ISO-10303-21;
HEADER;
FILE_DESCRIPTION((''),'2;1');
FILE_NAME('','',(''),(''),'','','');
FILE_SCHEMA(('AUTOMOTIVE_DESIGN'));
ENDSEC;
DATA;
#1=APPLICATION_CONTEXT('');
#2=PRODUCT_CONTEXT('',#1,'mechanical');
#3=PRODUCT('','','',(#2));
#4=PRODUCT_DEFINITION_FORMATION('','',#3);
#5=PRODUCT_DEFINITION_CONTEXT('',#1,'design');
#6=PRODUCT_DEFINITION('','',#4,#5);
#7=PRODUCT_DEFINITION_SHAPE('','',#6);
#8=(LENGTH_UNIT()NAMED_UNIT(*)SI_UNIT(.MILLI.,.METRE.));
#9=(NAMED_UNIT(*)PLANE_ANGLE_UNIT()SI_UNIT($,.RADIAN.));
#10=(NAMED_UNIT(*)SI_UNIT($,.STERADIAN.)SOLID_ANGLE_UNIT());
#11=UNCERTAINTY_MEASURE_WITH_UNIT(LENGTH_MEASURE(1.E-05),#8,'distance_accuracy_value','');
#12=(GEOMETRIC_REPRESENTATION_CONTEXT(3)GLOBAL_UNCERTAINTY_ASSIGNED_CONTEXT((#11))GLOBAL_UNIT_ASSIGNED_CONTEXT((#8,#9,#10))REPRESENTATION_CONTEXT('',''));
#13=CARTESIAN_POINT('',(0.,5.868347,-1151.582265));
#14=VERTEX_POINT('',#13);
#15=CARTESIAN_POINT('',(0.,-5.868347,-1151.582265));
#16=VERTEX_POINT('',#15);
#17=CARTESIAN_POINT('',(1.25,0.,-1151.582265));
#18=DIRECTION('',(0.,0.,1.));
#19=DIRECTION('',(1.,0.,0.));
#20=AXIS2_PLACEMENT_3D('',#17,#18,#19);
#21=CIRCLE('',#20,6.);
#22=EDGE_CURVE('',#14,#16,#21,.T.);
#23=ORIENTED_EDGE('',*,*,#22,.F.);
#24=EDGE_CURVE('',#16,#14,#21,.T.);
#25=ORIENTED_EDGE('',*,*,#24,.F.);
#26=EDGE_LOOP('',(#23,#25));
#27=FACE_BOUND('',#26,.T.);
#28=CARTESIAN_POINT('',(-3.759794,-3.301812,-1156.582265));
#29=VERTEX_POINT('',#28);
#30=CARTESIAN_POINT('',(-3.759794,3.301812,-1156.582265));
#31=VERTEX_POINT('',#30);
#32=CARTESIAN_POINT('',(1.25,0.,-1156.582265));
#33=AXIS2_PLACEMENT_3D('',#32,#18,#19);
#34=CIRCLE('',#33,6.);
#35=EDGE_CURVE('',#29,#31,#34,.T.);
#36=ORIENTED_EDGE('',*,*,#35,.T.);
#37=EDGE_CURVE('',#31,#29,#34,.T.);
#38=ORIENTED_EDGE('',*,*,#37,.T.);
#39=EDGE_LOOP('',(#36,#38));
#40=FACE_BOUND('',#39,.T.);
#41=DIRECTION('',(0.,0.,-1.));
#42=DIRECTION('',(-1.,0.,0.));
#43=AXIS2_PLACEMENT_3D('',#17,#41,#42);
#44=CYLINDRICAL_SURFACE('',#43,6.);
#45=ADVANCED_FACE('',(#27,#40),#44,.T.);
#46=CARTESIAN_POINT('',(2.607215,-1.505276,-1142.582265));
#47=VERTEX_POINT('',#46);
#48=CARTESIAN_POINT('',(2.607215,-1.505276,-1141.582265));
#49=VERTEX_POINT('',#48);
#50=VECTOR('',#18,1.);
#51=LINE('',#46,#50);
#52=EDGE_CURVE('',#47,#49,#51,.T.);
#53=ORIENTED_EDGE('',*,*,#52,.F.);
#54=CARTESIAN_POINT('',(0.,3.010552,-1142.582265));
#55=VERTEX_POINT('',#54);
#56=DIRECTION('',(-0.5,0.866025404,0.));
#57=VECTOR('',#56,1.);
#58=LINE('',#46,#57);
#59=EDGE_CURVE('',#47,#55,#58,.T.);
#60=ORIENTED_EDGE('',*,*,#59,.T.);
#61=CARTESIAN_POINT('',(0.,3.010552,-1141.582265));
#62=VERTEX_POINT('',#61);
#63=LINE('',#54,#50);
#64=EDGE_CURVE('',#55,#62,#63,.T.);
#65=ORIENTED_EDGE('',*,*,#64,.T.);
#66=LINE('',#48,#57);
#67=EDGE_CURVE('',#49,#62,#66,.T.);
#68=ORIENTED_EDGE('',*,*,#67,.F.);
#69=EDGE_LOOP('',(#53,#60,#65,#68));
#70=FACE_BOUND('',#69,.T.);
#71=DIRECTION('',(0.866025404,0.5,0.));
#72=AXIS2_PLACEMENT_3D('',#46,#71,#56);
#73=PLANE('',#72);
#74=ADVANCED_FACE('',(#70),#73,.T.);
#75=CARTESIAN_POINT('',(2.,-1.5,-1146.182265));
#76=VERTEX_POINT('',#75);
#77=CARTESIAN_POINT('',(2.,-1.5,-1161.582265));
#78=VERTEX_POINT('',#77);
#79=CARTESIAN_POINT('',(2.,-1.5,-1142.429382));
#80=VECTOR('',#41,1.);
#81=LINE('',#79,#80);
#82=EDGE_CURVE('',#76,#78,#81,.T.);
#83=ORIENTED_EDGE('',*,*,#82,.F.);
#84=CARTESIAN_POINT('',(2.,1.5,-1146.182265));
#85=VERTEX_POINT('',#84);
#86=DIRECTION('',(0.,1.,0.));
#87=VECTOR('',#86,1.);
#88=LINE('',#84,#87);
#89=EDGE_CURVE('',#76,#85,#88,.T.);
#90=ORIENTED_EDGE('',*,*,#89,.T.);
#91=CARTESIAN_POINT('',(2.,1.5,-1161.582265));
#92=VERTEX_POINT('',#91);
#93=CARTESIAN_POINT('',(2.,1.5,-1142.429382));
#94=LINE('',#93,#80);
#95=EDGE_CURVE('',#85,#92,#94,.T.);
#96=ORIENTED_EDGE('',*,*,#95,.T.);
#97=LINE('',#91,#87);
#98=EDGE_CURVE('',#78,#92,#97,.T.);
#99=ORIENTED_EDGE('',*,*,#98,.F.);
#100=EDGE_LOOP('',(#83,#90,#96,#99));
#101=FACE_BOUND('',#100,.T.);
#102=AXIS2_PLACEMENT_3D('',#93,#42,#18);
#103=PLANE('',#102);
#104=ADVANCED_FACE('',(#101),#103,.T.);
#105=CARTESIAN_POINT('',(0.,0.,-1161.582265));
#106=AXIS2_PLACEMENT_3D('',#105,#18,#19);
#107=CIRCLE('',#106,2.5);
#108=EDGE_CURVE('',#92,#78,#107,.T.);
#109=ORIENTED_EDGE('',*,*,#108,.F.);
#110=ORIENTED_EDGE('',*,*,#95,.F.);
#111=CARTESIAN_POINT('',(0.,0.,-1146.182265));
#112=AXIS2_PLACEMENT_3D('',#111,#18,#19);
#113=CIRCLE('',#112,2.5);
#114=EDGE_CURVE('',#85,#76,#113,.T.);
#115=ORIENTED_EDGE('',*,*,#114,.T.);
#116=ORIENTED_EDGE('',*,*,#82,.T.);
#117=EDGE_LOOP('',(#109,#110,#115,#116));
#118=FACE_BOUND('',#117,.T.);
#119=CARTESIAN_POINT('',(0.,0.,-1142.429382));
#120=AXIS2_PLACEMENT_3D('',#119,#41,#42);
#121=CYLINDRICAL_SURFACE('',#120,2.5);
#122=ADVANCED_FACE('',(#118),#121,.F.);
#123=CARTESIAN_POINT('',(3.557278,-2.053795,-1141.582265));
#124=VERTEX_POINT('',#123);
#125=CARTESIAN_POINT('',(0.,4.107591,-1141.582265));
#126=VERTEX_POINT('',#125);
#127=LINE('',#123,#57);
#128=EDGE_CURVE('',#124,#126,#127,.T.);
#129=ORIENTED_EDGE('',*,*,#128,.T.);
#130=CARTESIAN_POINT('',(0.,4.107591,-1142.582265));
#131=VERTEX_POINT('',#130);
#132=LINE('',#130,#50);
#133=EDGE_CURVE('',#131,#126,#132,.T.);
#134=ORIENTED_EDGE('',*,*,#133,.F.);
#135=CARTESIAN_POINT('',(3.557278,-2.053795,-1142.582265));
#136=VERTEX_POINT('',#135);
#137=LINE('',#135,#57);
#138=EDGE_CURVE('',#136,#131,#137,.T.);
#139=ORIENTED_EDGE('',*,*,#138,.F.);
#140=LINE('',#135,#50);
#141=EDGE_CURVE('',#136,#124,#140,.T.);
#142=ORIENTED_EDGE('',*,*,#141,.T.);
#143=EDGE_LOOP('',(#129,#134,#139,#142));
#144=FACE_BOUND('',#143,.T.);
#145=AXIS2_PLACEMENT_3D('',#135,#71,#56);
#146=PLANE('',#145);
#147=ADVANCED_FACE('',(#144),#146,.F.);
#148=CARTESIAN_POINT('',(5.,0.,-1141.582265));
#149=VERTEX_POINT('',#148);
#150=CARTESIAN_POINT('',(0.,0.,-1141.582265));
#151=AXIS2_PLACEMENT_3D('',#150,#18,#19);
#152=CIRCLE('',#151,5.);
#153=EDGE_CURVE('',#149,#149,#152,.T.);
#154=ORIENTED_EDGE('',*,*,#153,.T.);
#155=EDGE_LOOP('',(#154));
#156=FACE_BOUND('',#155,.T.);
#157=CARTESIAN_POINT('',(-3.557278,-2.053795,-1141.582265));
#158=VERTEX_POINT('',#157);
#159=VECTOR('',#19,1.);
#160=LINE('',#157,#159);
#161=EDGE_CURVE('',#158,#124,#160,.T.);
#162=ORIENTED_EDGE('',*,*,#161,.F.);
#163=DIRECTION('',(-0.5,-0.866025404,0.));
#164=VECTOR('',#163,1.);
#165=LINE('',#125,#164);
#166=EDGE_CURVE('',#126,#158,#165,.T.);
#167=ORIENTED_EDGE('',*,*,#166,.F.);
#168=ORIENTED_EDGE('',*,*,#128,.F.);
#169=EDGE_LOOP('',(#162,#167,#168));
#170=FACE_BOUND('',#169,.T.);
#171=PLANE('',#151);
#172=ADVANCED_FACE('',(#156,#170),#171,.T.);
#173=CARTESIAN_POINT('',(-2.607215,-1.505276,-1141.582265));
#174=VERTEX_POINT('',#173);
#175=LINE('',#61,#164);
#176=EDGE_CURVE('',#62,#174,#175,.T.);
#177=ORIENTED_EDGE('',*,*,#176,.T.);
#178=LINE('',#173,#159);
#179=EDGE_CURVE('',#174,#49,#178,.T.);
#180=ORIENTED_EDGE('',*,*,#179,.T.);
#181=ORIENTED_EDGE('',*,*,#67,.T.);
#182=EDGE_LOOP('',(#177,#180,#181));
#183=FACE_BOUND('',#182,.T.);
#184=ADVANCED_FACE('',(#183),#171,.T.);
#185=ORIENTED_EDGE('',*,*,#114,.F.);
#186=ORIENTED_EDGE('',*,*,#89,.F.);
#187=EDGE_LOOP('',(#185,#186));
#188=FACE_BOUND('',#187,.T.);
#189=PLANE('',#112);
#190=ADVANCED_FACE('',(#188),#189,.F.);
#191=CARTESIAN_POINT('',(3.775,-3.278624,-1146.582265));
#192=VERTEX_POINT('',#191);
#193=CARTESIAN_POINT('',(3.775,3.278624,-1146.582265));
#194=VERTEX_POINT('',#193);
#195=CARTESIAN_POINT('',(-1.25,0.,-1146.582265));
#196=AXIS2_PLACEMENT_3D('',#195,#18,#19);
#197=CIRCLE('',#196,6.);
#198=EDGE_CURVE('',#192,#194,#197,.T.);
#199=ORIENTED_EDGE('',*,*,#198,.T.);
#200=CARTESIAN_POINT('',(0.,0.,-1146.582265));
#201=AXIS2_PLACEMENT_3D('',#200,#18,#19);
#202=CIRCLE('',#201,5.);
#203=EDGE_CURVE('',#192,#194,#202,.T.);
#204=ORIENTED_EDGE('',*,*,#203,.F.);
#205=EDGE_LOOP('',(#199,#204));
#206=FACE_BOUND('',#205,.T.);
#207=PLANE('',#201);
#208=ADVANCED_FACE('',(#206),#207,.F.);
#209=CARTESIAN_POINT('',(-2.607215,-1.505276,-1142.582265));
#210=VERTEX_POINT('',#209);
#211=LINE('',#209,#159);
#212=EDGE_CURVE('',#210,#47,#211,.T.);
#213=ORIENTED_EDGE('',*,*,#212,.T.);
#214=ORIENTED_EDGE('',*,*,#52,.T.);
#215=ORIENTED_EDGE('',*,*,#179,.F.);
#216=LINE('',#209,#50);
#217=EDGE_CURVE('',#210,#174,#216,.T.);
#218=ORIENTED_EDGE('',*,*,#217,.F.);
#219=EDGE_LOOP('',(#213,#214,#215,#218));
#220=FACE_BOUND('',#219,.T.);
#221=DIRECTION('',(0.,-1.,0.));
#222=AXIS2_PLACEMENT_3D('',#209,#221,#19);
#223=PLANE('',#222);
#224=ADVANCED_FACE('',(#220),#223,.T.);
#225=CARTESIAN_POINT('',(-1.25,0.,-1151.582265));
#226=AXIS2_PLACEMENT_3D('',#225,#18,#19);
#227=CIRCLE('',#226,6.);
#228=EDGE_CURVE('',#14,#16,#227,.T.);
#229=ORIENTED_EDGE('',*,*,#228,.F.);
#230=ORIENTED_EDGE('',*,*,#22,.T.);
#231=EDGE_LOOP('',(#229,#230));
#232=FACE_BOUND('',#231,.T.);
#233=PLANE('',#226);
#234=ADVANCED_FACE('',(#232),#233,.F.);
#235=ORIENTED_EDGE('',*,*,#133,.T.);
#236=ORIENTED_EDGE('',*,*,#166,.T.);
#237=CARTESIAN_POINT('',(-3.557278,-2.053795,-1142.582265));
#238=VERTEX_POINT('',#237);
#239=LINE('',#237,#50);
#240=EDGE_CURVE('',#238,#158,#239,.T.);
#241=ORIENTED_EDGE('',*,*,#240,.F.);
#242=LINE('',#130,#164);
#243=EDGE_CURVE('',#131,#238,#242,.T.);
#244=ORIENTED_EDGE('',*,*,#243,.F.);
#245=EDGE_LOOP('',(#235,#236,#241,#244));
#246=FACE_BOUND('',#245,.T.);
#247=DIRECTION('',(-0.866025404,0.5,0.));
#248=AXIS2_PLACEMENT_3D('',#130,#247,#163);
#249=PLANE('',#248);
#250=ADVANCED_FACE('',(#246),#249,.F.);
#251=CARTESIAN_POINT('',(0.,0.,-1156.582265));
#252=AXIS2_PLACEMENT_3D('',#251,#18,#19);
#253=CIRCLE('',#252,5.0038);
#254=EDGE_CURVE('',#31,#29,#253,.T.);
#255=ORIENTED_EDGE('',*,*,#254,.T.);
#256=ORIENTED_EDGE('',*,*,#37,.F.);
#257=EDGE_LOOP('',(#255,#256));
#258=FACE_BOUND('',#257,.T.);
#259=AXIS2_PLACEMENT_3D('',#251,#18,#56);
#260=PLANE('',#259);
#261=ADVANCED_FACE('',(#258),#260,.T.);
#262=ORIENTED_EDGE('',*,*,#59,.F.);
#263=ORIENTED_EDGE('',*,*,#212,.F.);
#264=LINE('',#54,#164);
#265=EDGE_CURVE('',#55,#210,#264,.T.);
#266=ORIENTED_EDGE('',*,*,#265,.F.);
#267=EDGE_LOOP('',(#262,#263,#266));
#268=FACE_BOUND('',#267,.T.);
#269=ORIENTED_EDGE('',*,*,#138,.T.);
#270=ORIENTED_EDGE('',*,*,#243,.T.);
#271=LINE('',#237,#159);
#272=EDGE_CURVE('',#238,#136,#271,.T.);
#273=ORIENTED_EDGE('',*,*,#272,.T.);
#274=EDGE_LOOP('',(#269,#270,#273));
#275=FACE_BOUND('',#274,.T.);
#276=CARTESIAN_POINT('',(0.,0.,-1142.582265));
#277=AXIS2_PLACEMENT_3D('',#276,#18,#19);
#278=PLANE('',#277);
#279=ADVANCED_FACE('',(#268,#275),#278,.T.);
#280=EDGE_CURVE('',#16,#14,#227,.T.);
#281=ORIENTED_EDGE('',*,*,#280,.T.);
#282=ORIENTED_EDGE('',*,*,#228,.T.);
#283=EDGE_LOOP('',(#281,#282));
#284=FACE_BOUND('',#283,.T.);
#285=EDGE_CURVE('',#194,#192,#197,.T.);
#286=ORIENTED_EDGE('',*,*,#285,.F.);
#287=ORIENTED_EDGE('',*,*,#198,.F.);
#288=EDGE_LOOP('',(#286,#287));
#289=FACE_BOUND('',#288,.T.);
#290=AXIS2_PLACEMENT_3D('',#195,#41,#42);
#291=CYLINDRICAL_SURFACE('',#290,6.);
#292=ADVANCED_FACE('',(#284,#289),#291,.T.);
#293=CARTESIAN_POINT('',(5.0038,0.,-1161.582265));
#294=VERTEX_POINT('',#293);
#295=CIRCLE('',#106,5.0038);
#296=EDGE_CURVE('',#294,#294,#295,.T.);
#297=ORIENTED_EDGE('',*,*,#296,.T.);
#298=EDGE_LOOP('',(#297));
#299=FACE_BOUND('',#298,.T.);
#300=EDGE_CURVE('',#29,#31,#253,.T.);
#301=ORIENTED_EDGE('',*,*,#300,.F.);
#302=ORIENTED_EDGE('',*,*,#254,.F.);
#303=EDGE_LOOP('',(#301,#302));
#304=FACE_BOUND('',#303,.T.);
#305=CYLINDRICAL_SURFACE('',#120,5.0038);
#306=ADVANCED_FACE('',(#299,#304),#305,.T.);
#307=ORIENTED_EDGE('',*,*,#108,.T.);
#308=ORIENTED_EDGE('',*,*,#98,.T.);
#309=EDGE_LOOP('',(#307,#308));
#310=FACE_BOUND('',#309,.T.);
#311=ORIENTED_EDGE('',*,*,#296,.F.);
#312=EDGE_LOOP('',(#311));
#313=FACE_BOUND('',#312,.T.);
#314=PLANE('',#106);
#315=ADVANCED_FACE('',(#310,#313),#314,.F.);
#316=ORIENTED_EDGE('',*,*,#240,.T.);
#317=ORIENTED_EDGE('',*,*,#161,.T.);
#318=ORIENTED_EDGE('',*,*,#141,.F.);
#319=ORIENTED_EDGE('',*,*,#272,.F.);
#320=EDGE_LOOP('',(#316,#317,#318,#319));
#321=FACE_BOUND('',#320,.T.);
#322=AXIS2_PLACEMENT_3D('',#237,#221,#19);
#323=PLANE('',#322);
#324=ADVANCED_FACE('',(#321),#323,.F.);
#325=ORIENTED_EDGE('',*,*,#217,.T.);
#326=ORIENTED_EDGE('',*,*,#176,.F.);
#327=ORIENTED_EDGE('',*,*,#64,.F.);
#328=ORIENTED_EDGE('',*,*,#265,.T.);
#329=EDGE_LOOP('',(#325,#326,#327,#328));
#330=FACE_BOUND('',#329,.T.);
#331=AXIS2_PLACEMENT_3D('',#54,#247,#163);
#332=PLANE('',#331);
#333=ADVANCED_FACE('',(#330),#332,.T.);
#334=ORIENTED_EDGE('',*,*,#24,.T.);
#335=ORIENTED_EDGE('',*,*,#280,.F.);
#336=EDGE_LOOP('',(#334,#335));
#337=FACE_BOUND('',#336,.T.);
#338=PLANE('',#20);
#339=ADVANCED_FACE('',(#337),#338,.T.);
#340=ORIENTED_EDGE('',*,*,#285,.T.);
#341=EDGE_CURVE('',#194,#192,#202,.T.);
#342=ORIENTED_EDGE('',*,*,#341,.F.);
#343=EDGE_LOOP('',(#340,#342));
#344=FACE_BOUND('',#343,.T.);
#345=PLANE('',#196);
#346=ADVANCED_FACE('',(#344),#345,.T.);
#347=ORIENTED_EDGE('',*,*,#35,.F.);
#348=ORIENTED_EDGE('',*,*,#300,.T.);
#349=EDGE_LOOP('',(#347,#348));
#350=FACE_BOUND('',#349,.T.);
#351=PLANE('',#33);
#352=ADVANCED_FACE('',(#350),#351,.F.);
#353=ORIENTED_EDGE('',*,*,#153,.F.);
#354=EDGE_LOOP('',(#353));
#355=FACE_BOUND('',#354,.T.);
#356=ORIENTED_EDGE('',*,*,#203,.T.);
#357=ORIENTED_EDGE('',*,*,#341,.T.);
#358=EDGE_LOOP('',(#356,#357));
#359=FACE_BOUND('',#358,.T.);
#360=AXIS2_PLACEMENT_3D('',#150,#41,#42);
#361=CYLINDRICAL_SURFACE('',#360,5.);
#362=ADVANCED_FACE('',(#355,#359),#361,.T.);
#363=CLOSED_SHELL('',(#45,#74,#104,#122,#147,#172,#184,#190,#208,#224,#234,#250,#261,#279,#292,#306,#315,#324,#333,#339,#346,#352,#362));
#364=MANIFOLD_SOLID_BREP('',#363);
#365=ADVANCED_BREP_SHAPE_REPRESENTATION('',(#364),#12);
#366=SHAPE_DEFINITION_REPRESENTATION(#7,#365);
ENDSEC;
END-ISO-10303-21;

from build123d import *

# Parameters (mm, degrees)
SKETCH2_R           = 5.0038
BOSS_EXTRUDE1_DEPTH = 5
SKETCH3_R           = 6
BOSS_EXTRUDE2_DEPTH = 5
SKETCH5_R           = 6
BOSS_EXTRUDE3_DEPTH = 5
SKETCH6_R           = 5
BOSS_EXTRUDE4_DEPTH = 5
SKETCH8_R           = 2.698107805
BOSS_EXTRUDE5_DEPTH = 4.6
CUT_EXTRUDE1_DEPTH  = 1


with BuildPart() as part:
    # Sketch2 → Boss-Extrude1 (new body)
    with BuildSketch(Plane.XY.offset(-1161.582265199)):
        Circle(SKETCH2_R)
        with BuildLine():
            Line((2, 1.5), (2, -1.5))
            ThreePointArc((2, -1.5), (-2.5, 0), (2, 1.5))
        make_face(mode=Mode.SUBTRACT)
    extrude(amount=BOSS_EXTRUDE1_DEPTH)

    # Sketch3 → Boss-Extrude2 (add)
    with BuildSketch(Plane.XY.offset(-1156.582265199)):
        with Locations(Location((1.25, 0, 0), (0, 0, 213.387732771))):
            Circle(SKETCH3_R)
        with BuildLine():
            Line((2, 1.5), (2, -1.5))
            ThreePointArc((2, -1.5), (-2.5, 0), (2, 1.5))
        make_face(mode=Mode.SUBTRACT)
    extrude(amount=BOSS_EXTRUDE2_DEPTH)

    # Sketch5 → Boss-Extrude3 (add)
    with BuildSketch(Plane.XY.offset(-1151.582265199)):
        with Locations(Location((-1.25, 0, 0), (0, 0, 282.024699181))):
            Circle(SKETCH5_R)
        with BuildLine():
            Line((2, 1.5), (2, -1.5))
            ThreePointArc((2, -1.5), (-2.5, 0), (2, 1.5))
        make_face(mode=Mode.SUBTRACT)
    extrude(amount=BOSS_EXTRUDE3_DEPTH)

    # Sketch6 → Boss-Extrude4 (add)
    with BuildSketch(Plane.XY.offset(-1146.582265199)):
        with Locations(Location((0, 0, 0), (0, 0, 319.025369771))):
            Circle(SKETCH6_R)
        with BuildLine():
            Line((2, 1.5), (2, -1.5))
            ThreePointArc((2, -1.5), (-2.5, 0), (2, 1.5))
        make_face(mode=Mode.SUBTRACT)
    extrude(amount=BOSS_EXTRUDE4_DEPTH)

    # Sketch8 → Boss-Extrude5 (add)
    with BuildSketch(Plane.XY.offset(-1146.182265199)):
        Circle(SKETCH8_R)
    extrude(amount=BOSS_EXTRUDE5_DEPTH)

    # Sketch9 → Cut-Extrude1 (cut)
    with BuildSketch(Plane.XY.offset(-1141.582265199)):
        Polygon((0, 4.107590662), (-3.557277862, -2.053795331), (3.557277862, -2.053795331), align=None)
        Polygon((0, 3.010552133), (-2.607214626, -1.505276066), (2.607214626, -1.505276066), align=None, mode=Mode.SUBTRACT)
    extrude(amount=-CUT_EXTRUDE1_DEPTH, mode=Mode.SUBTRACT)


solid = part.part
